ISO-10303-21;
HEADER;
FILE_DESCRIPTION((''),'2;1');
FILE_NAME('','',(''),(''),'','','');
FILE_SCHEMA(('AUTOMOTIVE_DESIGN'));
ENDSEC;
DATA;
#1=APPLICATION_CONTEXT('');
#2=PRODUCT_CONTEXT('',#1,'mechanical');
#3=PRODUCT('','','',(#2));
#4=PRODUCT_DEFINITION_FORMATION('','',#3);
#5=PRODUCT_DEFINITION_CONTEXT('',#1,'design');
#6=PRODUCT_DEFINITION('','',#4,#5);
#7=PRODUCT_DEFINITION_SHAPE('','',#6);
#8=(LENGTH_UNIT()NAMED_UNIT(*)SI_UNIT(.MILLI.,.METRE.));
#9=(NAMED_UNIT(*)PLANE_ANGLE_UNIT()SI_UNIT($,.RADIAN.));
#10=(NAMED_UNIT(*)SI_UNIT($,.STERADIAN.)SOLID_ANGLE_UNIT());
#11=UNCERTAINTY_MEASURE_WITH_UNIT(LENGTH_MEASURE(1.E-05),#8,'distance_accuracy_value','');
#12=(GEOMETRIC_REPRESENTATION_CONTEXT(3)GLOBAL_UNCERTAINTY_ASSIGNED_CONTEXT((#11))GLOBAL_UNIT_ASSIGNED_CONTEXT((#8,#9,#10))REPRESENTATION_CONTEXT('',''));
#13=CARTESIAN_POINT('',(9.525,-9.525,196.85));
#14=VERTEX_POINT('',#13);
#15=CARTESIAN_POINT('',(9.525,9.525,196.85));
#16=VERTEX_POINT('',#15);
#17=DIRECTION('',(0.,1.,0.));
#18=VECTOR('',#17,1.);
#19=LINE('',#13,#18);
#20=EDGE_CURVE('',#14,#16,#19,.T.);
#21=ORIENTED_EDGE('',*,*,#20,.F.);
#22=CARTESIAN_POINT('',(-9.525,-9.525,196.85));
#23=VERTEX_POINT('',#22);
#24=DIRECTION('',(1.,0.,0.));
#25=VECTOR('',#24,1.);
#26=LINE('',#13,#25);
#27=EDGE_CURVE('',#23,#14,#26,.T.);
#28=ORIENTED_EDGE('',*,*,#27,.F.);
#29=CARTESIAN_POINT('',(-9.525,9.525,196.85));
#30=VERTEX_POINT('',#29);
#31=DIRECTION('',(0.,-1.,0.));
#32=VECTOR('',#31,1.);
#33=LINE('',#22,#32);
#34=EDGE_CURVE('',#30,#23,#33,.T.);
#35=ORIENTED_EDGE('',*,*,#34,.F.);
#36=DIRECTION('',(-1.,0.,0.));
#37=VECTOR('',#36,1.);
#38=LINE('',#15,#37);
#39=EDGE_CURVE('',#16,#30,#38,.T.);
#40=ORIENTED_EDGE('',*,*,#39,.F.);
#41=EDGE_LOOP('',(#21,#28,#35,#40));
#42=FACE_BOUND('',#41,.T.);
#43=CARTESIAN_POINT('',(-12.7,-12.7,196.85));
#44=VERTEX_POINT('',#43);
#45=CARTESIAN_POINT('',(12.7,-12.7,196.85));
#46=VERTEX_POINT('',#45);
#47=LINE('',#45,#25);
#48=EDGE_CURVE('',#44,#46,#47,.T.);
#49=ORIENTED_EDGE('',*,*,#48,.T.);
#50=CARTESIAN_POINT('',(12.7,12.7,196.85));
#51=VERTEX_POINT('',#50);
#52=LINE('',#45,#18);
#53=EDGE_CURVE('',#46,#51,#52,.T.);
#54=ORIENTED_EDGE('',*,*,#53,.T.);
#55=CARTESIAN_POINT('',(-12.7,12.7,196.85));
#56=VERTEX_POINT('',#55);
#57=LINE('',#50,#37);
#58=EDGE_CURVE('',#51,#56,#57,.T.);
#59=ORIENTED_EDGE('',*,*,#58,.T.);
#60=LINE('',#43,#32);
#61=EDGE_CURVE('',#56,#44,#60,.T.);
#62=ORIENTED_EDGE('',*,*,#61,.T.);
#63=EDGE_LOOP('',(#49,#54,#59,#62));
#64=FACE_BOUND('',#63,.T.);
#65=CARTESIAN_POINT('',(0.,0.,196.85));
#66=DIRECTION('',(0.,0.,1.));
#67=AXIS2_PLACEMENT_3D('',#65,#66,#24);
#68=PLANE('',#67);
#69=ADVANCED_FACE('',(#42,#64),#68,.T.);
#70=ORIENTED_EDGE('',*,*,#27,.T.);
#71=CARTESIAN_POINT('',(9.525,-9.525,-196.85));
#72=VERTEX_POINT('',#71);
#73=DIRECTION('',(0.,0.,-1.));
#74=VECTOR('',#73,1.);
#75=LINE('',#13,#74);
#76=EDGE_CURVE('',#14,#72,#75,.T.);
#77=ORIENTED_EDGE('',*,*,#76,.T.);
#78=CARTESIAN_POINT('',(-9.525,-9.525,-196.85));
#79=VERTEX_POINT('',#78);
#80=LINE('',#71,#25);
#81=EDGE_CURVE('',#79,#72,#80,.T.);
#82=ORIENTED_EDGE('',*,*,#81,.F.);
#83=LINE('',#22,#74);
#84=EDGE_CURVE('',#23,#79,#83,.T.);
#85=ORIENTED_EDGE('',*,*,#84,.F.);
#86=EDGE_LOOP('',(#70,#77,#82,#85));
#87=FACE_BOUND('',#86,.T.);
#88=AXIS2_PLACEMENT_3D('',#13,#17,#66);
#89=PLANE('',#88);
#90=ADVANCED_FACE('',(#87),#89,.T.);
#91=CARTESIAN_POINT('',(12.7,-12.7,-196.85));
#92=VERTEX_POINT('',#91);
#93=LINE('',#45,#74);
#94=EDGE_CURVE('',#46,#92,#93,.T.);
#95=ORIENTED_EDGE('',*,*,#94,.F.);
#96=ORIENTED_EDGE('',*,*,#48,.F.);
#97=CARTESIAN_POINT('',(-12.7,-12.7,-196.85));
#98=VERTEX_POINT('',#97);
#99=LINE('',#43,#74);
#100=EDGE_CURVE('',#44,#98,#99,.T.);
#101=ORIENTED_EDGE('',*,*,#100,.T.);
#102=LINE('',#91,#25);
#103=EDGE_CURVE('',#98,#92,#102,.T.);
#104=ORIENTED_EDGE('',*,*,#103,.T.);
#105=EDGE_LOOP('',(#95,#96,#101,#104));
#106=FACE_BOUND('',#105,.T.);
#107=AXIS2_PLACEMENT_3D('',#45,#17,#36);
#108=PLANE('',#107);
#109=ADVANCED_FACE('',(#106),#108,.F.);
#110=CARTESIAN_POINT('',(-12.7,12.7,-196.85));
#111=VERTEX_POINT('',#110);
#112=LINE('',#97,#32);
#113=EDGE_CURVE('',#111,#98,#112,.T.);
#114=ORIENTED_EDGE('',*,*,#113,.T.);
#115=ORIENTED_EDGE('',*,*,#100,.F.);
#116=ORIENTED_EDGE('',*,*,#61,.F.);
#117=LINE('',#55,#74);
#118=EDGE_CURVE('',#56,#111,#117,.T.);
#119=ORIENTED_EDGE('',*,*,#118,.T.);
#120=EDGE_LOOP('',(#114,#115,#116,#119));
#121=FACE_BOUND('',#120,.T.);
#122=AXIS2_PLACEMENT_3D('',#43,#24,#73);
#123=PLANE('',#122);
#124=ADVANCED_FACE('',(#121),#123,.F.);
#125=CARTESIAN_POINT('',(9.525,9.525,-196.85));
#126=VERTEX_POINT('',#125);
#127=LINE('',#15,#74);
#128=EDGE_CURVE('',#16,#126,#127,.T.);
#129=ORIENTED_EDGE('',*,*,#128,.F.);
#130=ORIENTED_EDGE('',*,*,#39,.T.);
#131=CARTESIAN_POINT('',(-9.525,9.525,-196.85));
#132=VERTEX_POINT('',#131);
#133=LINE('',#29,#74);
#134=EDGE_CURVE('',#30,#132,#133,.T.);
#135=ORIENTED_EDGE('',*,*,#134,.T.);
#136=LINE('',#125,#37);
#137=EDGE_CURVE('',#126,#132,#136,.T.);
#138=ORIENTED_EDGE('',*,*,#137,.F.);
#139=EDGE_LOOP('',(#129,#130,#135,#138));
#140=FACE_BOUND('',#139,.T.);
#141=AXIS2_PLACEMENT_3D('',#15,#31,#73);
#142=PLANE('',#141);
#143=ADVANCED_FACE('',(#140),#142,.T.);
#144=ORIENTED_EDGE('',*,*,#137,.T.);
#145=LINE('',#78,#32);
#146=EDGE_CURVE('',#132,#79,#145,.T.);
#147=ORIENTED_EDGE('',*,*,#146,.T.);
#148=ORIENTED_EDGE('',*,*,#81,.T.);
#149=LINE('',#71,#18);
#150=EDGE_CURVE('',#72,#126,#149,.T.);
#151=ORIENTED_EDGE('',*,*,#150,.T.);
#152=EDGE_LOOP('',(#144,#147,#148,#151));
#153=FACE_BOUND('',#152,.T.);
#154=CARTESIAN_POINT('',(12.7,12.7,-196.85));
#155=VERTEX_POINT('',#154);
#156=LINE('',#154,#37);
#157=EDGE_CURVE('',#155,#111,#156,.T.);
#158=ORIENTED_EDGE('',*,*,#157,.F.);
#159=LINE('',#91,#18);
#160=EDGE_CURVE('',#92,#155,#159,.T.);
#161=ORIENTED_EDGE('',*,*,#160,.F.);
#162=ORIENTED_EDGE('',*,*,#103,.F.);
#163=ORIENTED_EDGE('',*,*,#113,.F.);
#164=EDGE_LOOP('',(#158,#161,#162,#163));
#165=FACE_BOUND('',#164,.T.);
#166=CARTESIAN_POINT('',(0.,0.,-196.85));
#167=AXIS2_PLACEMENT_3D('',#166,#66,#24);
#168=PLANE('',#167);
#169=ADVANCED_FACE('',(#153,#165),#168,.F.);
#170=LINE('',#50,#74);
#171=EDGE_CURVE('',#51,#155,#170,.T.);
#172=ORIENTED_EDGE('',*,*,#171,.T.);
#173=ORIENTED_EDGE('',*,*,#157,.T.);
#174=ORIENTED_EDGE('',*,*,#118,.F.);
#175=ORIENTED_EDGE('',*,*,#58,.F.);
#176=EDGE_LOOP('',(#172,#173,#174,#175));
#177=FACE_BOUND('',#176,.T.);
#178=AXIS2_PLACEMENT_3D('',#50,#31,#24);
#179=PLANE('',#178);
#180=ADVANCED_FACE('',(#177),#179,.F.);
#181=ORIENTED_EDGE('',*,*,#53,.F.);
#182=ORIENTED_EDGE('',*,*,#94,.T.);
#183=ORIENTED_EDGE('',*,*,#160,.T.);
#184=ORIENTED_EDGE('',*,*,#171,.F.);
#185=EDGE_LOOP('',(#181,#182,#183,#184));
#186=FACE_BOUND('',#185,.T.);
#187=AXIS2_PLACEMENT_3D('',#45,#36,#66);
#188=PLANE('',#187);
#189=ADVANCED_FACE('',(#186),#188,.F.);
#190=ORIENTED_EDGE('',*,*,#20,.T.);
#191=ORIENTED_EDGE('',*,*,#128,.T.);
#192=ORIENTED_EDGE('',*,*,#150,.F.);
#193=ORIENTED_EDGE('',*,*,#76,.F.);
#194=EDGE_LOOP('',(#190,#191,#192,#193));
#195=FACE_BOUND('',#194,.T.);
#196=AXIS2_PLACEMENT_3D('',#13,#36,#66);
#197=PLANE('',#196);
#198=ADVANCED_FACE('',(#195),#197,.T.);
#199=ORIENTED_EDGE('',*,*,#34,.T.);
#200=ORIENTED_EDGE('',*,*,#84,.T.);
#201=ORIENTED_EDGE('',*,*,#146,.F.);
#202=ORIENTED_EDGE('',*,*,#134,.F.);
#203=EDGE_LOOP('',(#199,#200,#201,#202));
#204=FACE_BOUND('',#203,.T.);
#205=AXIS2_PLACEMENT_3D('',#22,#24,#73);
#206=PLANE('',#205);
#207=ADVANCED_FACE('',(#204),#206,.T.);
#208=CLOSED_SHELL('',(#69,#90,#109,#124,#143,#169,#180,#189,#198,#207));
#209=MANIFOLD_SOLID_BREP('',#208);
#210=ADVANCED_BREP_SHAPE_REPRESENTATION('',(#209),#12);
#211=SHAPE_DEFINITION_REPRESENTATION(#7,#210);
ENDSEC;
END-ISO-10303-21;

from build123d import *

# Parameters (mm, degrees)
SKETCH1_W           = 25.4
SKETCH1_H           = 25.4
SKETCH1_W_2         = 19.05
SKETCH1_H_2         = 19.05
BOSS_EXTRUDE1_DEPTH = 196.85


with BuildPart() as part:
    # Sketch1 → Boss-Extrude1 (new, symmetric)
    with BuildSketch(Plane.XY):
        Rectangle(SKETCH1_W, SKETCH1_H)
        Rectangle(SKETCH1_W_2, SKETCH1_H_2, mode=Mode.SUBTRACT)
    extrude(amount=BOSS_EXTRUDE1_DEPTH, both=True)


solid = part.part
